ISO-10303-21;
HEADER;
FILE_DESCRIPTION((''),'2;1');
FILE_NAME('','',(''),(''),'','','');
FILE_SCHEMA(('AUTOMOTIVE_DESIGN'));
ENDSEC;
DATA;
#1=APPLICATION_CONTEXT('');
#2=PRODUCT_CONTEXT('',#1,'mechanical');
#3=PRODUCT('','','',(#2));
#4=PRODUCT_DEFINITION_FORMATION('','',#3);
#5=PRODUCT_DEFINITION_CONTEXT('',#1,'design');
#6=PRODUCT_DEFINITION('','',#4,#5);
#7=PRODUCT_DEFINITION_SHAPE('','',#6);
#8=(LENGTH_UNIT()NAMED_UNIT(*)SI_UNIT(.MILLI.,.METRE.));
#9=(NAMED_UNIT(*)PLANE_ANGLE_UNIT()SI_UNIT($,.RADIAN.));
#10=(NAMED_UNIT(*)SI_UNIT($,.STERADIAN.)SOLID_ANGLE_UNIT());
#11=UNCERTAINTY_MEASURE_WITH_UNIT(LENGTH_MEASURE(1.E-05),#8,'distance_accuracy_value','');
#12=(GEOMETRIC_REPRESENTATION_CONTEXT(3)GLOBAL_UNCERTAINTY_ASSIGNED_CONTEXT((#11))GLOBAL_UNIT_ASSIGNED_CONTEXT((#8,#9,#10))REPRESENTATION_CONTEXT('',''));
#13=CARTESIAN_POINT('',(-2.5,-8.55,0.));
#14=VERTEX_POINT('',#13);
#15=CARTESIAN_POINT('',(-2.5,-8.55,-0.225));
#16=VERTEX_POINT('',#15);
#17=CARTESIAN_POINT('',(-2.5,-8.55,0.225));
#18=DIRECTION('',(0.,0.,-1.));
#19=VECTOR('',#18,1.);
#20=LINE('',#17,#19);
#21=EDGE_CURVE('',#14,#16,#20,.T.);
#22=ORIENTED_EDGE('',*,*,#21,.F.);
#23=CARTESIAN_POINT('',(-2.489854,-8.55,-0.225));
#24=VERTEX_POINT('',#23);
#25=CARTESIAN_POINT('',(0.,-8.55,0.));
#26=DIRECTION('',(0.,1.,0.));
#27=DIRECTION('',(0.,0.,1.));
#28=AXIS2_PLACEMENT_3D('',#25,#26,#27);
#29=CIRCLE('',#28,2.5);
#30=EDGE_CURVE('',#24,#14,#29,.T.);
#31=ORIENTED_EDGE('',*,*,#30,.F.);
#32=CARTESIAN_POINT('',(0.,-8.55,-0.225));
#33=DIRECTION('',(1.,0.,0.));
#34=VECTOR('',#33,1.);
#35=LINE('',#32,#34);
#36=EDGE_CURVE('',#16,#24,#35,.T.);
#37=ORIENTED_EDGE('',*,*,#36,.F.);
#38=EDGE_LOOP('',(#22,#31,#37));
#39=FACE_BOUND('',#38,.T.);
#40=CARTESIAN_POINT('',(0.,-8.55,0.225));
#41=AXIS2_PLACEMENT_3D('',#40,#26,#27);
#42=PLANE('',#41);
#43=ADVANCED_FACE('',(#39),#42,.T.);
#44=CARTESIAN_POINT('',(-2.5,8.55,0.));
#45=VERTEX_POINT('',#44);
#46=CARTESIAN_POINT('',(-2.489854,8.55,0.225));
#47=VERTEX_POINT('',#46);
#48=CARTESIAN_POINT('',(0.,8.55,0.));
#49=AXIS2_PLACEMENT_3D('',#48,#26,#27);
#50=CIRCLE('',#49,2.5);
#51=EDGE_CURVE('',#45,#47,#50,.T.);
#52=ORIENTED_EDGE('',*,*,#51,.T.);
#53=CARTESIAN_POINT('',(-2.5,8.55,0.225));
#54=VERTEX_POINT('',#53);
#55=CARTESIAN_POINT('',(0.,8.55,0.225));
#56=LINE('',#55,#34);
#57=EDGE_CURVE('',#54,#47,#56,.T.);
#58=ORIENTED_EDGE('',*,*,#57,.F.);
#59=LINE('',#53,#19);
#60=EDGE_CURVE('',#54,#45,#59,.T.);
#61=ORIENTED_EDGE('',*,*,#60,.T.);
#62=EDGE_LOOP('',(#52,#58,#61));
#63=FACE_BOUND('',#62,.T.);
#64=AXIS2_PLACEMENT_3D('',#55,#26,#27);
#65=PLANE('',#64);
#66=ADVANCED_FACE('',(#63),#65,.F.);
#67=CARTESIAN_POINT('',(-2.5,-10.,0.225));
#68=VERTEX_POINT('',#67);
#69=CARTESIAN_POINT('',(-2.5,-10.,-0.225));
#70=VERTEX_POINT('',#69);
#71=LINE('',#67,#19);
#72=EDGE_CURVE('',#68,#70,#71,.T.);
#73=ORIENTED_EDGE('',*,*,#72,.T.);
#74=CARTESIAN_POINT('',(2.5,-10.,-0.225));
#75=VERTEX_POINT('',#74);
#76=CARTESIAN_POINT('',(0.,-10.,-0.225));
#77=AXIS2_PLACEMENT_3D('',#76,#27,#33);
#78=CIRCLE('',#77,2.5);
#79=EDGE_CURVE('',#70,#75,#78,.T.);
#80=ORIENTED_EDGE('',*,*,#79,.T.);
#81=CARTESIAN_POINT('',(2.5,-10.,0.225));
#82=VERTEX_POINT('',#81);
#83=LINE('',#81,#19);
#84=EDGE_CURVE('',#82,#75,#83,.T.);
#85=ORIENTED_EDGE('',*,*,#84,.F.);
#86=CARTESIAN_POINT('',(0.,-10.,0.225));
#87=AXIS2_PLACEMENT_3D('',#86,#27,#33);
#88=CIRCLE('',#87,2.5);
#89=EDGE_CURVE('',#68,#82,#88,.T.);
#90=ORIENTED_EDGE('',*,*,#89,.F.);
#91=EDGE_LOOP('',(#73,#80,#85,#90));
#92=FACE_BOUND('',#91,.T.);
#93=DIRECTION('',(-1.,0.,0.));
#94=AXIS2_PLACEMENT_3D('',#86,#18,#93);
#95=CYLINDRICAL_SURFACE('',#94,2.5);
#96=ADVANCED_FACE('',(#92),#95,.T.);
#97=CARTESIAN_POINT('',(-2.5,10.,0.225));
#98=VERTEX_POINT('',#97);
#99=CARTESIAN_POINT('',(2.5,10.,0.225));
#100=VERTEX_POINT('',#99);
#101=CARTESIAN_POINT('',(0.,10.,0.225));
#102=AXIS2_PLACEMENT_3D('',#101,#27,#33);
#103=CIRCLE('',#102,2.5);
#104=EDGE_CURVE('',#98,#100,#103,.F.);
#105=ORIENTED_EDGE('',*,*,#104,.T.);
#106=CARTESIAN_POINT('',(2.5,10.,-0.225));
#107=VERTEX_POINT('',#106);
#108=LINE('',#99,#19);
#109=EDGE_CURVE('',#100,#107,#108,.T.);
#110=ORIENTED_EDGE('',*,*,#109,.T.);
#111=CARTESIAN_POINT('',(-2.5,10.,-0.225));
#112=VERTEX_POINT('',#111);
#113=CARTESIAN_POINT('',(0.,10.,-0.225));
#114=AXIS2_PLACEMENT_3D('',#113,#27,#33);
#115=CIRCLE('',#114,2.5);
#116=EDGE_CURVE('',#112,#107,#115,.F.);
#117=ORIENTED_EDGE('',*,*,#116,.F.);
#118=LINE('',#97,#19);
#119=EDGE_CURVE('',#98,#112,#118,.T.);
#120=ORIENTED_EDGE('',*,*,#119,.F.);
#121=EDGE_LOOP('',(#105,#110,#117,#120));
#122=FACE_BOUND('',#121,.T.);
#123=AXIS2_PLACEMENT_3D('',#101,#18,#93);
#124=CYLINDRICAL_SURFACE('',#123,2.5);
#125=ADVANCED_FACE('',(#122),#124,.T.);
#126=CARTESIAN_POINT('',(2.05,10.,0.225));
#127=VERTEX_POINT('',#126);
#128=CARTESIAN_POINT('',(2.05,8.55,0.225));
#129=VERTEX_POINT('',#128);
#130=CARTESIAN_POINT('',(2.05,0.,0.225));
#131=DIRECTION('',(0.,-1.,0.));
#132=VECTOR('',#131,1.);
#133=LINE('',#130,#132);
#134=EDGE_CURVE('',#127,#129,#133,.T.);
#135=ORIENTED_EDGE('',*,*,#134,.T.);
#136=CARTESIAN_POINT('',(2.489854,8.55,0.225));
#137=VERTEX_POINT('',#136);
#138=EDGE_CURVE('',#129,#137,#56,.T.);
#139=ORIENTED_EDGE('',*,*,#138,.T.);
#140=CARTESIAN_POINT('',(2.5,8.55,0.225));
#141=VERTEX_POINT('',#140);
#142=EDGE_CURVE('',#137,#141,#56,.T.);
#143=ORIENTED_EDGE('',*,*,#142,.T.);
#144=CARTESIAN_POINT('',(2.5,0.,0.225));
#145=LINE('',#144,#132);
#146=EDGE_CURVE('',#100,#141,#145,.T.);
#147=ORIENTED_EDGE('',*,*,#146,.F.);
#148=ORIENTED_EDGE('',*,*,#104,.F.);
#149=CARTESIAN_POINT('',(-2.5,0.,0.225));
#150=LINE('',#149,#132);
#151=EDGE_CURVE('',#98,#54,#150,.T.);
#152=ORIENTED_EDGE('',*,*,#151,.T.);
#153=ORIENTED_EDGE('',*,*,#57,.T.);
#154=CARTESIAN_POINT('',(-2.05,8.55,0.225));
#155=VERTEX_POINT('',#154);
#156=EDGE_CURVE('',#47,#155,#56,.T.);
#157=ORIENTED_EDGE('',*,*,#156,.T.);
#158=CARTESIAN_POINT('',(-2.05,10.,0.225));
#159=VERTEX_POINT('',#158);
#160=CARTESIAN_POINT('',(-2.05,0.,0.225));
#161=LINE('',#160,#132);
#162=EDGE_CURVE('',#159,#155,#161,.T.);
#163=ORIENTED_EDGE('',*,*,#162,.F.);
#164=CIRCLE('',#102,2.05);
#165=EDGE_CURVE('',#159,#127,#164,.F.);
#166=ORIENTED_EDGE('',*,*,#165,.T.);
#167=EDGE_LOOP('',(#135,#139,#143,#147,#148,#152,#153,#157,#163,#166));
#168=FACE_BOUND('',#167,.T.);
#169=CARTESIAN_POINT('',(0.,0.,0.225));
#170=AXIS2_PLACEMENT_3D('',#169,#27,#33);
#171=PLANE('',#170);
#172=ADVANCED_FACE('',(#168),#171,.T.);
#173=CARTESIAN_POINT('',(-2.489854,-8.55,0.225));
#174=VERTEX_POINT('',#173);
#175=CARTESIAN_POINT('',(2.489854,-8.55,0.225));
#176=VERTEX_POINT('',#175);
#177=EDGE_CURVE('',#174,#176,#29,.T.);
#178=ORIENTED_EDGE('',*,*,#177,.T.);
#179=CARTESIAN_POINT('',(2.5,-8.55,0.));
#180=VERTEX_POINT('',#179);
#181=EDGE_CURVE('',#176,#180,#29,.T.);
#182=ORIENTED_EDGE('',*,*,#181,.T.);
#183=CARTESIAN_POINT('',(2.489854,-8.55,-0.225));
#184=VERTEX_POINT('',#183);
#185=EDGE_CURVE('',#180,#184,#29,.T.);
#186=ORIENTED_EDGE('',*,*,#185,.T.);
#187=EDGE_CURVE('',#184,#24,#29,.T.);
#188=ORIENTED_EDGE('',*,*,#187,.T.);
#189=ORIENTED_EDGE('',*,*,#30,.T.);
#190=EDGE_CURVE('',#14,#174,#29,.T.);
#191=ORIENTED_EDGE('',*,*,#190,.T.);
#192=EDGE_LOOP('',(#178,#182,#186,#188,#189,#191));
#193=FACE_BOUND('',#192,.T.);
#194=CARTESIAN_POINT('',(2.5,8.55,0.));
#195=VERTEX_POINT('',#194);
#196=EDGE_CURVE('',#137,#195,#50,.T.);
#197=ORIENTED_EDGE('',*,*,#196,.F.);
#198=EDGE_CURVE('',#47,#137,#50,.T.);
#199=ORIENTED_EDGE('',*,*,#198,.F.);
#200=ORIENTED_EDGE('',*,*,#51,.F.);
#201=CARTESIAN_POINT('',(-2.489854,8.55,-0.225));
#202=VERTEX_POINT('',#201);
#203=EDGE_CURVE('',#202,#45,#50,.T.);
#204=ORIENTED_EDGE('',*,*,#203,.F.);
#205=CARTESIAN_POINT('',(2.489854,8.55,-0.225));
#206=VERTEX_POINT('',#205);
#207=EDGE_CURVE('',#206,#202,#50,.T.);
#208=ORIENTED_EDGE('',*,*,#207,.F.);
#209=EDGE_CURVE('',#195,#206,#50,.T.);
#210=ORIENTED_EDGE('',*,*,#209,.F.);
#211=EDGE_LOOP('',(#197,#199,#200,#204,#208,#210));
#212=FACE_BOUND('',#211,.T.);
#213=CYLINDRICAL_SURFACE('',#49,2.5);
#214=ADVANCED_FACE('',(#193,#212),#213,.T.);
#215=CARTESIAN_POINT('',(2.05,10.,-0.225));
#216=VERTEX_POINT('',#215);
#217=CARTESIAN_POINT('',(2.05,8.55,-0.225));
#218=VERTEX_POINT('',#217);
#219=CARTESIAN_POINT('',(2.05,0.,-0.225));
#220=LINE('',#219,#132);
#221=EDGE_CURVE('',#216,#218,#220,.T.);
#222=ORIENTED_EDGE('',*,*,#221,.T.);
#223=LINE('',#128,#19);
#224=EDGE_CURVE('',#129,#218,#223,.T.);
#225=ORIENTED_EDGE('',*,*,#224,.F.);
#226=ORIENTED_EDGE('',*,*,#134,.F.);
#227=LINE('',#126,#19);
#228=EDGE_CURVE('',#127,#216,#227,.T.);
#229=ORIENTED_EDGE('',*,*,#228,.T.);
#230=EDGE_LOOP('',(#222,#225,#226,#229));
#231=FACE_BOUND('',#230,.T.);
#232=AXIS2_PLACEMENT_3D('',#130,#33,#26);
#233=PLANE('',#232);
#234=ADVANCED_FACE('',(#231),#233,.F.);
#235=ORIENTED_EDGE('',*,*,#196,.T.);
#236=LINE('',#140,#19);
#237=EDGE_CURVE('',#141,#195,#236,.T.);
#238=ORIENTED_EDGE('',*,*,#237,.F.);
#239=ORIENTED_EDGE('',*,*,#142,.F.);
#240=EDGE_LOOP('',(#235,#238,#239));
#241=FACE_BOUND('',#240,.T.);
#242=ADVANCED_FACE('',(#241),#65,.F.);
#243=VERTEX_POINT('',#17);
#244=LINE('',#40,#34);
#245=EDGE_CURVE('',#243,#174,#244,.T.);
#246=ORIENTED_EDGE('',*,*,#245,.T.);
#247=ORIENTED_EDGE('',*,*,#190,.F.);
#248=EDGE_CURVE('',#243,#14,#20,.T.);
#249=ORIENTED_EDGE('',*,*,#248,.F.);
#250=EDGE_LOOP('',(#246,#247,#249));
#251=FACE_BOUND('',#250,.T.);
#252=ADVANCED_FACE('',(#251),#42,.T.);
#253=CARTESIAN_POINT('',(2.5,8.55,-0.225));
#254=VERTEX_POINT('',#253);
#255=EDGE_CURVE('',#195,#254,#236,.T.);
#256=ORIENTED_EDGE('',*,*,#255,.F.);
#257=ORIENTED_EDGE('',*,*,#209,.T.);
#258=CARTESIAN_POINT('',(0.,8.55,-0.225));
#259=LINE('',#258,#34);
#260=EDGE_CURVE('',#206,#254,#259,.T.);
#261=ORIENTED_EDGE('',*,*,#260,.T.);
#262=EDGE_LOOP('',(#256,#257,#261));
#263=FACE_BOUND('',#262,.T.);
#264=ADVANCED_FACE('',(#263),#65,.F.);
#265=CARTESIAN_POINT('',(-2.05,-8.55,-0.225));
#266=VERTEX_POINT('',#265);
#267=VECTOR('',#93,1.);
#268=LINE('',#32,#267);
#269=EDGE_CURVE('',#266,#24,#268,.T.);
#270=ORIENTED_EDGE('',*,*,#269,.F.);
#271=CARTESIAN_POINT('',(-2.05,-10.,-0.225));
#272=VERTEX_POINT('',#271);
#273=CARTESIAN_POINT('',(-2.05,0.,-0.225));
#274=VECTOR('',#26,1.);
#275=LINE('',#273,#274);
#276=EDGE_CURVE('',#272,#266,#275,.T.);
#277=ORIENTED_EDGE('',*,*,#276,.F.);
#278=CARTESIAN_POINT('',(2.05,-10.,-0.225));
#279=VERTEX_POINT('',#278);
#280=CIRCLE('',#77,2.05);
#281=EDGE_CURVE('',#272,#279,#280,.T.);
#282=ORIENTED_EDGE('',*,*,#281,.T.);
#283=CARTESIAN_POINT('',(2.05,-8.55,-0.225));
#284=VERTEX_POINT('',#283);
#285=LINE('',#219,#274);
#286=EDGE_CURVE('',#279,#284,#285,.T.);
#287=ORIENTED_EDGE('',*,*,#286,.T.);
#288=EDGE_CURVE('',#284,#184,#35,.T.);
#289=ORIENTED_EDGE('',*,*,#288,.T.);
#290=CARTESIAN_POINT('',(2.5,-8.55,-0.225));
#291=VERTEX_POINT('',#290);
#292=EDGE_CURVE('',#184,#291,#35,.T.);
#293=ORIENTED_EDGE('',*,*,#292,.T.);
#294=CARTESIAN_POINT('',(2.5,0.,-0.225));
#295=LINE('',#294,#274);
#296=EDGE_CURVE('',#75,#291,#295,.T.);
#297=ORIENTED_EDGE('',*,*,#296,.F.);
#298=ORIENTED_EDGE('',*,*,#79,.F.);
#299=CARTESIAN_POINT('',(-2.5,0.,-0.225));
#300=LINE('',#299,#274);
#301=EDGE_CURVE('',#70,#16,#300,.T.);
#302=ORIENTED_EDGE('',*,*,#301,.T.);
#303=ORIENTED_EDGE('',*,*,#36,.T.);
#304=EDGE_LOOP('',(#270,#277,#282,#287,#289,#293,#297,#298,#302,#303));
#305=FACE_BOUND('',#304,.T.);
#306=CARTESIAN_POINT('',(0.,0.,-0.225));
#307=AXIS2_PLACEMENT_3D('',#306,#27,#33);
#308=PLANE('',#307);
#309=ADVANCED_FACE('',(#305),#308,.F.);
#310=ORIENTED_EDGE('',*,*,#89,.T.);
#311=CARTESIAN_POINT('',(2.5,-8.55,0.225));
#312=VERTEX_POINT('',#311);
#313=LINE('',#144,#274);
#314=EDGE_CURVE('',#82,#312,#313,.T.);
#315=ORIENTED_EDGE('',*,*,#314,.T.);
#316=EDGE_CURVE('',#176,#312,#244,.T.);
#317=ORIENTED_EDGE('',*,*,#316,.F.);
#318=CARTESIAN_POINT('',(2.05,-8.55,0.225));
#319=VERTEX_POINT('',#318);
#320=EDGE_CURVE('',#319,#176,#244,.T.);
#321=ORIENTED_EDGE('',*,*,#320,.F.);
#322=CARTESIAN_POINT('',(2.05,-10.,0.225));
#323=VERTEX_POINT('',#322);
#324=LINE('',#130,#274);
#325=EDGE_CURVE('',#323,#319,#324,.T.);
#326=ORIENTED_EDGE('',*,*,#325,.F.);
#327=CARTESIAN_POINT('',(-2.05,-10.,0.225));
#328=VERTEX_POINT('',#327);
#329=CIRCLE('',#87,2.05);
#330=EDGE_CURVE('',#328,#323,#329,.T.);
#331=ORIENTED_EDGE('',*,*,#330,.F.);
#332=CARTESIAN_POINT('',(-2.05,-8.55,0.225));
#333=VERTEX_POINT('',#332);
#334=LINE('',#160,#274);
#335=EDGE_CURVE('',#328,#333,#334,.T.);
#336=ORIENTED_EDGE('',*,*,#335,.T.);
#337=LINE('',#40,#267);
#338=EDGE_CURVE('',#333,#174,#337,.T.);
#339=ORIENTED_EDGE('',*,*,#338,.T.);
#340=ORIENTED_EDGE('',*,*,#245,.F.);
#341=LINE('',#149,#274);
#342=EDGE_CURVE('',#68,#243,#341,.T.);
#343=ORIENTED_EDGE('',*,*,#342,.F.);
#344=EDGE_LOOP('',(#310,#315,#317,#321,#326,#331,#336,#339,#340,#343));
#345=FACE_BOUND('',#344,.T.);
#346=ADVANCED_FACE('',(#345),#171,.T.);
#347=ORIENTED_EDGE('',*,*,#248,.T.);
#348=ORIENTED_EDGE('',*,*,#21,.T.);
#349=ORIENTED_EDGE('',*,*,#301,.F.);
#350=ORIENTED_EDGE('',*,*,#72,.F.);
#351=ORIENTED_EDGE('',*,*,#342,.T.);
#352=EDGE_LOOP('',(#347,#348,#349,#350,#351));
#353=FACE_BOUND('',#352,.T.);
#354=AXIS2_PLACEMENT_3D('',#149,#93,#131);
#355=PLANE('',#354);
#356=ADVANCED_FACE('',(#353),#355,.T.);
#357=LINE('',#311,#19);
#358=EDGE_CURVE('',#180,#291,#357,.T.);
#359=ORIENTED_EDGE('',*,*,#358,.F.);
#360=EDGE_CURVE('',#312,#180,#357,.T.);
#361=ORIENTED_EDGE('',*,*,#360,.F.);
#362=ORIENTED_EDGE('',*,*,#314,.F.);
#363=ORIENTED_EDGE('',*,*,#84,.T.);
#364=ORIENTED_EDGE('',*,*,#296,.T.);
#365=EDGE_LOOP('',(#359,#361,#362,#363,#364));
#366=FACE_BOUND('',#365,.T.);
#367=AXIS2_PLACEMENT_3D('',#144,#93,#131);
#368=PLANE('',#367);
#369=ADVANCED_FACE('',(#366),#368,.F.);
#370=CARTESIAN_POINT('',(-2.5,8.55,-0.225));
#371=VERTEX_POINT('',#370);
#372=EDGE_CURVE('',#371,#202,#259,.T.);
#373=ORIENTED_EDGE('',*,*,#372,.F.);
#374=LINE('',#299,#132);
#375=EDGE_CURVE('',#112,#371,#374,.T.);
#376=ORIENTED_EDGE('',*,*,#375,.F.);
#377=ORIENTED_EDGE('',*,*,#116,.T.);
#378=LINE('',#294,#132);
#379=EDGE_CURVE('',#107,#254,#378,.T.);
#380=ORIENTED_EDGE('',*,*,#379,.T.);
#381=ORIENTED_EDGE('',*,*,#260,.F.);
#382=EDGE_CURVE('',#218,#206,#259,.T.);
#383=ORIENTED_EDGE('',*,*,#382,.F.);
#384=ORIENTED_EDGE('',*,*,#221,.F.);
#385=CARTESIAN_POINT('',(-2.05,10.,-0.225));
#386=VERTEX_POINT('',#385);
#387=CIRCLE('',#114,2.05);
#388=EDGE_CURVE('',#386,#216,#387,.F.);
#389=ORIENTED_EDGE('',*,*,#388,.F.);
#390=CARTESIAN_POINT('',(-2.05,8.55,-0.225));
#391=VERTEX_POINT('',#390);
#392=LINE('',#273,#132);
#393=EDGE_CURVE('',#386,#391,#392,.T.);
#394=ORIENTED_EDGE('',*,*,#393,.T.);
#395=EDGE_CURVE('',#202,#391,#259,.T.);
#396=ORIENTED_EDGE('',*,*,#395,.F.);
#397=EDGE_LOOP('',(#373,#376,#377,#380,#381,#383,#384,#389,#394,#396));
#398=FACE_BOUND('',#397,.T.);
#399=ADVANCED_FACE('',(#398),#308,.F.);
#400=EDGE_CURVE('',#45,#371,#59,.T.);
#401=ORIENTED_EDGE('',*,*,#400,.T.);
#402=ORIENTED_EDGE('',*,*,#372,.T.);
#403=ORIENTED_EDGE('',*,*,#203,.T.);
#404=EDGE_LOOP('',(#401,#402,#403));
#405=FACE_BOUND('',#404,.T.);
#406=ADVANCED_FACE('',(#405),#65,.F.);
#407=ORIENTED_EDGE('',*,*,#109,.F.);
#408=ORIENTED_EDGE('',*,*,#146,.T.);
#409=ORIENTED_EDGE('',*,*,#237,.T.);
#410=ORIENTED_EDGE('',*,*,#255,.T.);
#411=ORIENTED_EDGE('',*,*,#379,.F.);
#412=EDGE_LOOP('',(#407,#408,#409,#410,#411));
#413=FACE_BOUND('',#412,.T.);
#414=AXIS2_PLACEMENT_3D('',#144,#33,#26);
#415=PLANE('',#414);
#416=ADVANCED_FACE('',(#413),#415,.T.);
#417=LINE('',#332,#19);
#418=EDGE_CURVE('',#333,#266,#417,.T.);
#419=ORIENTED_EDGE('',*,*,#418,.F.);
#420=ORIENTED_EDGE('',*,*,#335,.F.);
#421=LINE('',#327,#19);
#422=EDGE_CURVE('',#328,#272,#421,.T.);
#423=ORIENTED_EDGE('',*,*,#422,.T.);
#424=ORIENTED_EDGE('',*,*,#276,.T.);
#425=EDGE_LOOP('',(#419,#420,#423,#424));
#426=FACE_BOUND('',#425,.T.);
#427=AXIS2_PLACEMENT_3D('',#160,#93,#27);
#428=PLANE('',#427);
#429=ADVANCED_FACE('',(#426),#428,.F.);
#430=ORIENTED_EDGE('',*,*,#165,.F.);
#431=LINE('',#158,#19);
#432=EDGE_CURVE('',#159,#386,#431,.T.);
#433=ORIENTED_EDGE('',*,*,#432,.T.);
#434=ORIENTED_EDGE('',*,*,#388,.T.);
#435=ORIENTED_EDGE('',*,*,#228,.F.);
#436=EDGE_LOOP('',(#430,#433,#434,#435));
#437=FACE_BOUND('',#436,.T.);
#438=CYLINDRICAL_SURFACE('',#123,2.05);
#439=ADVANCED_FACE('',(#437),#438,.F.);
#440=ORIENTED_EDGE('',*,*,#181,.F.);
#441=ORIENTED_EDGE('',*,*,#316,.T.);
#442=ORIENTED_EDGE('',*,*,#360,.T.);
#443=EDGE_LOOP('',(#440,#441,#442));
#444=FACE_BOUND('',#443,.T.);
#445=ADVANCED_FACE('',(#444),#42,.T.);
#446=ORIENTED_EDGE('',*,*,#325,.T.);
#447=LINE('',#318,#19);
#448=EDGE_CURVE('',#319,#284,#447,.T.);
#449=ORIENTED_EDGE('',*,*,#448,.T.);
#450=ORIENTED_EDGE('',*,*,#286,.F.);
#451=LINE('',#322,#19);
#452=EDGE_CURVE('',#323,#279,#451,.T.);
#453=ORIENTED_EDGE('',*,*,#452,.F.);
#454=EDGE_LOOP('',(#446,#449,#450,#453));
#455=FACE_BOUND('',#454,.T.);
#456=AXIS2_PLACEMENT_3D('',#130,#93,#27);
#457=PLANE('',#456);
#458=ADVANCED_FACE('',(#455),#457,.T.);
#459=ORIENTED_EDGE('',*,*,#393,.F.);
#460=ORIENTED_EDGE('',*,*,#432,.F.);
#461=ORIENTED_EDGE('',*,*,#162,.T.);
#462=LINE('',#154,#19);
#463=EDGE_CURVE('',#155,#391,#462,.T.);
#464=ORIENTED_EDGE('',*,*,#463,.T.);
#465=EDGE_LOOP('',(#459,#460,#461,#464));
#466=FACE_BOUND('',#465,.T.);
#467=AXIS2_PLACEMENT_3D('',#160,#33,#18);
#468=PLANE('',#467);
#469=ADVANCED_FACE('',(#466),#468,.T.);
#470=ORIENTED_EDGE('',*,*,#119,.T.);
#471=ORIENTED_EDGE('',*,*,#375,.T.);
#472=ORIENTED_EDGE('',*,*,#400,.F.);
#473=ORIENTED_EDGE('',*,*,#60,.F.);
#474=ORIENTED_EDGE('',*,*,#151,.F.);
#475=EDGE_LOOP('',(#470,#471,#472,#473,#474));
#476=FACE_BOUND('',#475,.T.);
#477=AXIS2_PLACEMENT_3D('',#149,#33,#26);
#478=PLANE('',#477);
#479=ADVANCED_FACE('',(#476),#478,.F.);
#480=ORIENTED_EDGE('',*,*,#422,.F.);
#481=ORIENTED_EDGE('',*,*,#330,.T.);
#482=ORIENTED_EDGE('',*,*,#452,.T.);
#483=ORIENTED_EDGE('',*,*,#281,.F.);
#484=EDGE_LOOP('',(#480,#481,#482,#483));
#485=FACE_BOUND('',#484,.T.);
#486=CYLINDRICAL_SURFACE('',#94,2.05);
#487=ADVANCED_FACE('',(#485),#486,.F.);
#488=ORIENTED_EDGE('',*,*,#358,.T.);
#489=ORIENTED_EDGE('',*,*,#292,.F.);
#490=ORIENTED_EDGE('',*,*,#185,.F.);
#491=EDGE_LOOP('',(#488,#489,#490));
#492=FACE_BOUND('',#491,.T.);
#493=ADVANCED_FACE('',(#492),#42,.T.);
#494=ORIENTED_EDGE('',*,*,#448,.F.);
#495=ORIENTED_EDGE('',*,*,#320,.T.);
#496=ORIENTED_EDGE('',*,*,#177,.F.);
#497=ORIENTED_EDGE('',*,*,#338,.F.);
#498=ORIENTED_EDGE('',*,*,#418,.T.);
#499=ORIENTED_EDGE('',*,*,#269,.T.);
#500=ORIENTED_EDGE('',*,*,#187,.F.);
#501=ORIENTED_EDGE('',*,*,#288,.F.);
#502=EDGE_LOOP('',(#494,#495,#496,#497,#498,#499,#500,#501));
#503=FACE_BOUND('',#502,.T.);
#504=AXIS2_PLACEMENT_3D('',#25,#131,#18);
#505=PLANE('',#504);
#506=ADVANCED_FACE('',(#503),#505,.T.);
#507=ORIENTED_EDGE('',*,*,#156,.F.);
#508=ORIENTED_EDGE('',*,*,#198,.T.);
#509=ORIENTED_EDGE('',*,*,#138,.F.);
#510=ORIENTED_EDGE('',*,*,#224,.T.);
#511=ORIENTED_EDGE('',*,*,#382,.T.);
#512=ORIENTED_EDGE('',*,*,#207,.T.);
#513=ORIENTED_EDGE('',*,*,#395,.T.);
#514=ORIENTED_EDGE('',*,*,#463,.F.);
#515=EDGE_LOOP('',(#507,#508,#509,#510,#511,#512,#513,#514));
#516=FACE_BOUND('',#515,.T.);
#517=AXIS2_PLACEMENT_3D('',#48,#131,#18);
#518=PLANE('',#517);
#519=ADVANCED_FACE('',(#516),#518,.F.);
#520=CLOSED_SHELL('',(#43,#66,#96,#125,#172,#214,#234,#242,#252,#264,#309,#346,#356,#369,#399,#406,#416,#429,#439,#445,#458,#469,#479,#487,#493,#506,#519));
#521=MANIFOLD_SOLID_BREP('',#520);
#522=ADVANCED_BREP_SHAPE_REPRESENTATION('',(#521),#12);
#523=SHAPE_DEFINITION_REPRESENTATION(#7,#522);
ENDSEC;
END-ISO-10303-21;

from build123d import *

# Parameters (mm, degrees)
BOSS_EXTRU_1_DEPTH = 0.225


with BuildPart() as part:
    # Esquisse8 → Révolution2 (revolve)
    with BuildSketch(Plane.XY):
        Polygon((-2.05, 8.55), (-2.5, 8.55), (-2.5, -8.55), (-2.05, -8.55), (0, -8.55), (0, 8.55), align=None)
    revolve(axis=Axis((0, 8.55, 0), (0, -1, 0)))

    # Esquisse8<4> → Boss.-Extru.1 (add, symmetric)
    with BuildSketch(Plane.XY):
        with BuildLine():
            ThreePointArc((2.5, 10), (0, 12.5), (-2.5, 10))
            Line((-2.5, 10), (-2.5, 8.55))
            Line((-2.5, 8.55), (-2.05, 8.55))
            Line((-2.05, 8.55), (-2.05, 10))
            ThreePointArc((-2.05, 10), (0, 12.05), (2.05, 10))
            Line((2.05, 10), (2.05, 8.55))
            Line((2.05, 8.55), (2.5, 8.55))
            Line((2.5, 8.55), (2.5, 10))
        make_face()
        with BuildLine():
            Line((-2.05, -8.55), (-2.5, -8.55))
            Line((-2.5, -8.55), (-2.5, -10))
            ThreePointArc((-2.5, -10), (0, -12.5), (2.5, -10))
            Line((2.5, -10), (2.5, -8.55))
            Line((2.5, -8.55), (2.05, -8.55))
            Line((2.05, -8.55), (2.05, -10))
            ThreePointArc((2.05, -10), (0, -12.05), (-2.05, -10))
            Line((-2.05, -10), (-2.05, -8.55))
        make_face()
    extrude(amount=BOSS_EXTRU_1_DEPTH, both=True)


solid = part.part
